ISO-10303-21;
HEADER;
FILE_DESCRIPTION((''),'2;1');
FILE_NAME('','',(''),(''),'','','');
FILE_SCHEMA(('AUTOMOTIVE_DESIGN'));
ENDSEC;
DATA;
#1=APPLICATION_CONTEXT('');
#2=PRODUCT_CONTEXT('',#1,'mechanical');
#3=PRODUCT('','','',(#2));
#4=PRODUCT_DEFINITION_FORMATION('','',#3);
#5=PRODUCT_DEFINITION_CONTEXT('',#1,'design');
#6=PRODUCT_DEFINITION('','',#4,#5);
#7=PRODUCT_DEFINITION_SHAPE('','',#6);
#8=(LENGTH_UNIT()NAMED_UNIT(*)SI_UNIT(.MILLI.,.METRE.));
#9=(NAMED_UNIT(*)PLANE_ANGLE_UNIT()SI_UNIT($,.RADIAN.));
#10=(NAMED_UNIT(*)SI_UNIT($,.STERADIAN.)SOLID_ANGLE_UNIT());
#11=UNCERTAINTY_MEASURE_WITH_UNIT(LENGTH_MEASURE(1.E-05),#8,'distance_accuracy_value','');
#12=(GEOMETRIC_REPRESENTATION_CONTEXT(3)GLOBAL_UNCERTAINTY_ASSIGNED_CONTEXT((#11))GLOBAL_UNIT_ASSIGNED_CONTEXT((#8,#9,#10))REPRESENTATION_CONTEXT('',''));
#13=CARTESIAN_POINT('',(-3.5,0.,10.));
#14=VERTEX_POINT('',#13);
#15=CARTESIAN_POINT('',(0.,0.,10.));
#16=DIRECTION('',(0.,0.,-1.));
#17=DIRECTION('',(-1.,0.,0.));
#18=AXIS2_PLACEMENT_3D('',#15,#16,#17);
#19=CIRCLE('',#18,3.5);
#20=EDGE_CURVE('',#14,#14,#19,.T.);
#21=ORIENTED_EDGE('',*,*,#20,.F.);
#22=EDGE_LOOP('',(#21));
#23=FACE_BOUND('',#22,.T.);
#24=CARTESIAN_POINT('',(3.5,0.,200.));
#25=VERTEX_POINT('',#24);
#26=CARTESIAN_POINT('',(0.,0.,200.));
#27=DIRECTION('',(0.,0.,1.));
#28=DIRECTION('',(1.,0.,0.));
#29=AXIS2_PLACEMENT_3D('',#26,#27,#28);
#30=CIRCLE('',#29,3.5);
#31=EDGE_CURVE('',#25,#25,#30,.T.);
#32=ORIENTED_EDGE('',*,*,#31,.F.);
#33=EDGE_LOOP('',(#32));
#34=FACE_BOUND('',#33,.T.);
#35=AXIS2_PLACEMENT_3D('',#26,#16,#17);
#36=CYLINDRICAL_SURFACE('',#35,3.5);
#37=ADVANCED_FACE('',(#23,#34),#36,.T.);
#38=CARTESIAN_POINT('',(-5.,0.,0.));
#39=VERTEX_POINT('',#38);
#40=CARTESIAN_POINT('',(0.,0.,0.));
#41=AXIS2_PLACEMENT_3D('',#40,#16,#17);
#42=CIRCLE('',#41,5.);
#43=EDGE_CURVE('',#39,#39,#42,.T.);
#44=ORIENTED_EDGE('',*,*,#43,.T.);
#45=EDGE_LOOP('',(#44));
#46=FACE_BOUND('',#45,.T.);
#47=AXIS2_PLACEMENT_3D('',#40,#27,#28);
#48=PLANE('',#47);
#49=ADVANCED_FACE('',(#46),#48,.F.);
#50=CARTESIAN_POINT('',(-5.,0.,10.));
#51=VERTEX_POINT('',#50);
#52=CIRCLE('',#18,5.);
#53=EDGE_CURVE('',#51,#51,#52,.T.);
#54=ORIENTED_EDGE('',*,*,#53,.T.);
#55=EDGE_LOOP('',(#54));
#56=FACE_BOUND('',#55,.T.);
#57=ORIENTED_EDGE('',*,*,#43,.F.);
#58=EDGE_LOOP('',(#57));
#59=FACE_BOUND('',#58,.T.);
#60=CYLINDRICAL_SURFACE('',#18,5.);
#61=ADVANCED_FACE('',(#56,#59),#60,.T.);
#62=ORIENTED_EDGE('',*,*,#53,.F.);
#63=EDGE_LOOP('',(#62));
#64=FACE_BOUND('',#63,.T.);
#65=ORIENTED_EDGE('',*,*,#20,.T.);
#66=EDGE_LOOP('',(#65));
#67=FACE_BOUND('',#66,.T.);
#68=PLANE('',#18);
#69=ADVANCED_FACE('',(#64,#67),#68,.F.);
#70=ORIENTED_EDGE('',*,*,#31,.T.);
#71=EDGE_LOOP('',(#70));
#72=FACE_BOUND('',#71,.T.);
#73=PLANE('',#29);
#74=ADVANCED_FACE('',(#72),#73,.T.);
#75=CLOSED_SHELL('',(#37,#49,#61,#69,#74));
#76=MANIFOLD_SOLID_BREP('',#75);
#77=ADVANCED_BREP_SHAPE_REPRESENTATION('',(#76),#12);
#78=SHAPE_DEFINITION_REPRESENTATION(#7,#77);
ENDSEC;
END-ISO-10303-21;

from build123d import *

# Parameters (mm, degrees)
SKETCH_1_R      = 3.5
EXTRUDE_1_DEPTH = 200
SKETCH_2_R      = 5
EXTRUDE_2_DEPTH = 10


with BuildPart() as part:
    # 草图1 → 凸台-拉伸1 (new body)
    with BuildSketch(Plane.XY):
        Circle(SKETCH_1_R)
    extrude(amount=EXTRUDE_1_DEPTH)

    # 草图2 → 凸台-拉伸2 (add)
    with BuildSketch(Plane(origin=(0, 0, 0), x_dir=(-1, 0, 0), z_dir=(0, 0, -1))):
        Circle(SKETCH_2_R)
    extrude(amount=-EXTRUDE_2_DEPTH)


solid = part.part
